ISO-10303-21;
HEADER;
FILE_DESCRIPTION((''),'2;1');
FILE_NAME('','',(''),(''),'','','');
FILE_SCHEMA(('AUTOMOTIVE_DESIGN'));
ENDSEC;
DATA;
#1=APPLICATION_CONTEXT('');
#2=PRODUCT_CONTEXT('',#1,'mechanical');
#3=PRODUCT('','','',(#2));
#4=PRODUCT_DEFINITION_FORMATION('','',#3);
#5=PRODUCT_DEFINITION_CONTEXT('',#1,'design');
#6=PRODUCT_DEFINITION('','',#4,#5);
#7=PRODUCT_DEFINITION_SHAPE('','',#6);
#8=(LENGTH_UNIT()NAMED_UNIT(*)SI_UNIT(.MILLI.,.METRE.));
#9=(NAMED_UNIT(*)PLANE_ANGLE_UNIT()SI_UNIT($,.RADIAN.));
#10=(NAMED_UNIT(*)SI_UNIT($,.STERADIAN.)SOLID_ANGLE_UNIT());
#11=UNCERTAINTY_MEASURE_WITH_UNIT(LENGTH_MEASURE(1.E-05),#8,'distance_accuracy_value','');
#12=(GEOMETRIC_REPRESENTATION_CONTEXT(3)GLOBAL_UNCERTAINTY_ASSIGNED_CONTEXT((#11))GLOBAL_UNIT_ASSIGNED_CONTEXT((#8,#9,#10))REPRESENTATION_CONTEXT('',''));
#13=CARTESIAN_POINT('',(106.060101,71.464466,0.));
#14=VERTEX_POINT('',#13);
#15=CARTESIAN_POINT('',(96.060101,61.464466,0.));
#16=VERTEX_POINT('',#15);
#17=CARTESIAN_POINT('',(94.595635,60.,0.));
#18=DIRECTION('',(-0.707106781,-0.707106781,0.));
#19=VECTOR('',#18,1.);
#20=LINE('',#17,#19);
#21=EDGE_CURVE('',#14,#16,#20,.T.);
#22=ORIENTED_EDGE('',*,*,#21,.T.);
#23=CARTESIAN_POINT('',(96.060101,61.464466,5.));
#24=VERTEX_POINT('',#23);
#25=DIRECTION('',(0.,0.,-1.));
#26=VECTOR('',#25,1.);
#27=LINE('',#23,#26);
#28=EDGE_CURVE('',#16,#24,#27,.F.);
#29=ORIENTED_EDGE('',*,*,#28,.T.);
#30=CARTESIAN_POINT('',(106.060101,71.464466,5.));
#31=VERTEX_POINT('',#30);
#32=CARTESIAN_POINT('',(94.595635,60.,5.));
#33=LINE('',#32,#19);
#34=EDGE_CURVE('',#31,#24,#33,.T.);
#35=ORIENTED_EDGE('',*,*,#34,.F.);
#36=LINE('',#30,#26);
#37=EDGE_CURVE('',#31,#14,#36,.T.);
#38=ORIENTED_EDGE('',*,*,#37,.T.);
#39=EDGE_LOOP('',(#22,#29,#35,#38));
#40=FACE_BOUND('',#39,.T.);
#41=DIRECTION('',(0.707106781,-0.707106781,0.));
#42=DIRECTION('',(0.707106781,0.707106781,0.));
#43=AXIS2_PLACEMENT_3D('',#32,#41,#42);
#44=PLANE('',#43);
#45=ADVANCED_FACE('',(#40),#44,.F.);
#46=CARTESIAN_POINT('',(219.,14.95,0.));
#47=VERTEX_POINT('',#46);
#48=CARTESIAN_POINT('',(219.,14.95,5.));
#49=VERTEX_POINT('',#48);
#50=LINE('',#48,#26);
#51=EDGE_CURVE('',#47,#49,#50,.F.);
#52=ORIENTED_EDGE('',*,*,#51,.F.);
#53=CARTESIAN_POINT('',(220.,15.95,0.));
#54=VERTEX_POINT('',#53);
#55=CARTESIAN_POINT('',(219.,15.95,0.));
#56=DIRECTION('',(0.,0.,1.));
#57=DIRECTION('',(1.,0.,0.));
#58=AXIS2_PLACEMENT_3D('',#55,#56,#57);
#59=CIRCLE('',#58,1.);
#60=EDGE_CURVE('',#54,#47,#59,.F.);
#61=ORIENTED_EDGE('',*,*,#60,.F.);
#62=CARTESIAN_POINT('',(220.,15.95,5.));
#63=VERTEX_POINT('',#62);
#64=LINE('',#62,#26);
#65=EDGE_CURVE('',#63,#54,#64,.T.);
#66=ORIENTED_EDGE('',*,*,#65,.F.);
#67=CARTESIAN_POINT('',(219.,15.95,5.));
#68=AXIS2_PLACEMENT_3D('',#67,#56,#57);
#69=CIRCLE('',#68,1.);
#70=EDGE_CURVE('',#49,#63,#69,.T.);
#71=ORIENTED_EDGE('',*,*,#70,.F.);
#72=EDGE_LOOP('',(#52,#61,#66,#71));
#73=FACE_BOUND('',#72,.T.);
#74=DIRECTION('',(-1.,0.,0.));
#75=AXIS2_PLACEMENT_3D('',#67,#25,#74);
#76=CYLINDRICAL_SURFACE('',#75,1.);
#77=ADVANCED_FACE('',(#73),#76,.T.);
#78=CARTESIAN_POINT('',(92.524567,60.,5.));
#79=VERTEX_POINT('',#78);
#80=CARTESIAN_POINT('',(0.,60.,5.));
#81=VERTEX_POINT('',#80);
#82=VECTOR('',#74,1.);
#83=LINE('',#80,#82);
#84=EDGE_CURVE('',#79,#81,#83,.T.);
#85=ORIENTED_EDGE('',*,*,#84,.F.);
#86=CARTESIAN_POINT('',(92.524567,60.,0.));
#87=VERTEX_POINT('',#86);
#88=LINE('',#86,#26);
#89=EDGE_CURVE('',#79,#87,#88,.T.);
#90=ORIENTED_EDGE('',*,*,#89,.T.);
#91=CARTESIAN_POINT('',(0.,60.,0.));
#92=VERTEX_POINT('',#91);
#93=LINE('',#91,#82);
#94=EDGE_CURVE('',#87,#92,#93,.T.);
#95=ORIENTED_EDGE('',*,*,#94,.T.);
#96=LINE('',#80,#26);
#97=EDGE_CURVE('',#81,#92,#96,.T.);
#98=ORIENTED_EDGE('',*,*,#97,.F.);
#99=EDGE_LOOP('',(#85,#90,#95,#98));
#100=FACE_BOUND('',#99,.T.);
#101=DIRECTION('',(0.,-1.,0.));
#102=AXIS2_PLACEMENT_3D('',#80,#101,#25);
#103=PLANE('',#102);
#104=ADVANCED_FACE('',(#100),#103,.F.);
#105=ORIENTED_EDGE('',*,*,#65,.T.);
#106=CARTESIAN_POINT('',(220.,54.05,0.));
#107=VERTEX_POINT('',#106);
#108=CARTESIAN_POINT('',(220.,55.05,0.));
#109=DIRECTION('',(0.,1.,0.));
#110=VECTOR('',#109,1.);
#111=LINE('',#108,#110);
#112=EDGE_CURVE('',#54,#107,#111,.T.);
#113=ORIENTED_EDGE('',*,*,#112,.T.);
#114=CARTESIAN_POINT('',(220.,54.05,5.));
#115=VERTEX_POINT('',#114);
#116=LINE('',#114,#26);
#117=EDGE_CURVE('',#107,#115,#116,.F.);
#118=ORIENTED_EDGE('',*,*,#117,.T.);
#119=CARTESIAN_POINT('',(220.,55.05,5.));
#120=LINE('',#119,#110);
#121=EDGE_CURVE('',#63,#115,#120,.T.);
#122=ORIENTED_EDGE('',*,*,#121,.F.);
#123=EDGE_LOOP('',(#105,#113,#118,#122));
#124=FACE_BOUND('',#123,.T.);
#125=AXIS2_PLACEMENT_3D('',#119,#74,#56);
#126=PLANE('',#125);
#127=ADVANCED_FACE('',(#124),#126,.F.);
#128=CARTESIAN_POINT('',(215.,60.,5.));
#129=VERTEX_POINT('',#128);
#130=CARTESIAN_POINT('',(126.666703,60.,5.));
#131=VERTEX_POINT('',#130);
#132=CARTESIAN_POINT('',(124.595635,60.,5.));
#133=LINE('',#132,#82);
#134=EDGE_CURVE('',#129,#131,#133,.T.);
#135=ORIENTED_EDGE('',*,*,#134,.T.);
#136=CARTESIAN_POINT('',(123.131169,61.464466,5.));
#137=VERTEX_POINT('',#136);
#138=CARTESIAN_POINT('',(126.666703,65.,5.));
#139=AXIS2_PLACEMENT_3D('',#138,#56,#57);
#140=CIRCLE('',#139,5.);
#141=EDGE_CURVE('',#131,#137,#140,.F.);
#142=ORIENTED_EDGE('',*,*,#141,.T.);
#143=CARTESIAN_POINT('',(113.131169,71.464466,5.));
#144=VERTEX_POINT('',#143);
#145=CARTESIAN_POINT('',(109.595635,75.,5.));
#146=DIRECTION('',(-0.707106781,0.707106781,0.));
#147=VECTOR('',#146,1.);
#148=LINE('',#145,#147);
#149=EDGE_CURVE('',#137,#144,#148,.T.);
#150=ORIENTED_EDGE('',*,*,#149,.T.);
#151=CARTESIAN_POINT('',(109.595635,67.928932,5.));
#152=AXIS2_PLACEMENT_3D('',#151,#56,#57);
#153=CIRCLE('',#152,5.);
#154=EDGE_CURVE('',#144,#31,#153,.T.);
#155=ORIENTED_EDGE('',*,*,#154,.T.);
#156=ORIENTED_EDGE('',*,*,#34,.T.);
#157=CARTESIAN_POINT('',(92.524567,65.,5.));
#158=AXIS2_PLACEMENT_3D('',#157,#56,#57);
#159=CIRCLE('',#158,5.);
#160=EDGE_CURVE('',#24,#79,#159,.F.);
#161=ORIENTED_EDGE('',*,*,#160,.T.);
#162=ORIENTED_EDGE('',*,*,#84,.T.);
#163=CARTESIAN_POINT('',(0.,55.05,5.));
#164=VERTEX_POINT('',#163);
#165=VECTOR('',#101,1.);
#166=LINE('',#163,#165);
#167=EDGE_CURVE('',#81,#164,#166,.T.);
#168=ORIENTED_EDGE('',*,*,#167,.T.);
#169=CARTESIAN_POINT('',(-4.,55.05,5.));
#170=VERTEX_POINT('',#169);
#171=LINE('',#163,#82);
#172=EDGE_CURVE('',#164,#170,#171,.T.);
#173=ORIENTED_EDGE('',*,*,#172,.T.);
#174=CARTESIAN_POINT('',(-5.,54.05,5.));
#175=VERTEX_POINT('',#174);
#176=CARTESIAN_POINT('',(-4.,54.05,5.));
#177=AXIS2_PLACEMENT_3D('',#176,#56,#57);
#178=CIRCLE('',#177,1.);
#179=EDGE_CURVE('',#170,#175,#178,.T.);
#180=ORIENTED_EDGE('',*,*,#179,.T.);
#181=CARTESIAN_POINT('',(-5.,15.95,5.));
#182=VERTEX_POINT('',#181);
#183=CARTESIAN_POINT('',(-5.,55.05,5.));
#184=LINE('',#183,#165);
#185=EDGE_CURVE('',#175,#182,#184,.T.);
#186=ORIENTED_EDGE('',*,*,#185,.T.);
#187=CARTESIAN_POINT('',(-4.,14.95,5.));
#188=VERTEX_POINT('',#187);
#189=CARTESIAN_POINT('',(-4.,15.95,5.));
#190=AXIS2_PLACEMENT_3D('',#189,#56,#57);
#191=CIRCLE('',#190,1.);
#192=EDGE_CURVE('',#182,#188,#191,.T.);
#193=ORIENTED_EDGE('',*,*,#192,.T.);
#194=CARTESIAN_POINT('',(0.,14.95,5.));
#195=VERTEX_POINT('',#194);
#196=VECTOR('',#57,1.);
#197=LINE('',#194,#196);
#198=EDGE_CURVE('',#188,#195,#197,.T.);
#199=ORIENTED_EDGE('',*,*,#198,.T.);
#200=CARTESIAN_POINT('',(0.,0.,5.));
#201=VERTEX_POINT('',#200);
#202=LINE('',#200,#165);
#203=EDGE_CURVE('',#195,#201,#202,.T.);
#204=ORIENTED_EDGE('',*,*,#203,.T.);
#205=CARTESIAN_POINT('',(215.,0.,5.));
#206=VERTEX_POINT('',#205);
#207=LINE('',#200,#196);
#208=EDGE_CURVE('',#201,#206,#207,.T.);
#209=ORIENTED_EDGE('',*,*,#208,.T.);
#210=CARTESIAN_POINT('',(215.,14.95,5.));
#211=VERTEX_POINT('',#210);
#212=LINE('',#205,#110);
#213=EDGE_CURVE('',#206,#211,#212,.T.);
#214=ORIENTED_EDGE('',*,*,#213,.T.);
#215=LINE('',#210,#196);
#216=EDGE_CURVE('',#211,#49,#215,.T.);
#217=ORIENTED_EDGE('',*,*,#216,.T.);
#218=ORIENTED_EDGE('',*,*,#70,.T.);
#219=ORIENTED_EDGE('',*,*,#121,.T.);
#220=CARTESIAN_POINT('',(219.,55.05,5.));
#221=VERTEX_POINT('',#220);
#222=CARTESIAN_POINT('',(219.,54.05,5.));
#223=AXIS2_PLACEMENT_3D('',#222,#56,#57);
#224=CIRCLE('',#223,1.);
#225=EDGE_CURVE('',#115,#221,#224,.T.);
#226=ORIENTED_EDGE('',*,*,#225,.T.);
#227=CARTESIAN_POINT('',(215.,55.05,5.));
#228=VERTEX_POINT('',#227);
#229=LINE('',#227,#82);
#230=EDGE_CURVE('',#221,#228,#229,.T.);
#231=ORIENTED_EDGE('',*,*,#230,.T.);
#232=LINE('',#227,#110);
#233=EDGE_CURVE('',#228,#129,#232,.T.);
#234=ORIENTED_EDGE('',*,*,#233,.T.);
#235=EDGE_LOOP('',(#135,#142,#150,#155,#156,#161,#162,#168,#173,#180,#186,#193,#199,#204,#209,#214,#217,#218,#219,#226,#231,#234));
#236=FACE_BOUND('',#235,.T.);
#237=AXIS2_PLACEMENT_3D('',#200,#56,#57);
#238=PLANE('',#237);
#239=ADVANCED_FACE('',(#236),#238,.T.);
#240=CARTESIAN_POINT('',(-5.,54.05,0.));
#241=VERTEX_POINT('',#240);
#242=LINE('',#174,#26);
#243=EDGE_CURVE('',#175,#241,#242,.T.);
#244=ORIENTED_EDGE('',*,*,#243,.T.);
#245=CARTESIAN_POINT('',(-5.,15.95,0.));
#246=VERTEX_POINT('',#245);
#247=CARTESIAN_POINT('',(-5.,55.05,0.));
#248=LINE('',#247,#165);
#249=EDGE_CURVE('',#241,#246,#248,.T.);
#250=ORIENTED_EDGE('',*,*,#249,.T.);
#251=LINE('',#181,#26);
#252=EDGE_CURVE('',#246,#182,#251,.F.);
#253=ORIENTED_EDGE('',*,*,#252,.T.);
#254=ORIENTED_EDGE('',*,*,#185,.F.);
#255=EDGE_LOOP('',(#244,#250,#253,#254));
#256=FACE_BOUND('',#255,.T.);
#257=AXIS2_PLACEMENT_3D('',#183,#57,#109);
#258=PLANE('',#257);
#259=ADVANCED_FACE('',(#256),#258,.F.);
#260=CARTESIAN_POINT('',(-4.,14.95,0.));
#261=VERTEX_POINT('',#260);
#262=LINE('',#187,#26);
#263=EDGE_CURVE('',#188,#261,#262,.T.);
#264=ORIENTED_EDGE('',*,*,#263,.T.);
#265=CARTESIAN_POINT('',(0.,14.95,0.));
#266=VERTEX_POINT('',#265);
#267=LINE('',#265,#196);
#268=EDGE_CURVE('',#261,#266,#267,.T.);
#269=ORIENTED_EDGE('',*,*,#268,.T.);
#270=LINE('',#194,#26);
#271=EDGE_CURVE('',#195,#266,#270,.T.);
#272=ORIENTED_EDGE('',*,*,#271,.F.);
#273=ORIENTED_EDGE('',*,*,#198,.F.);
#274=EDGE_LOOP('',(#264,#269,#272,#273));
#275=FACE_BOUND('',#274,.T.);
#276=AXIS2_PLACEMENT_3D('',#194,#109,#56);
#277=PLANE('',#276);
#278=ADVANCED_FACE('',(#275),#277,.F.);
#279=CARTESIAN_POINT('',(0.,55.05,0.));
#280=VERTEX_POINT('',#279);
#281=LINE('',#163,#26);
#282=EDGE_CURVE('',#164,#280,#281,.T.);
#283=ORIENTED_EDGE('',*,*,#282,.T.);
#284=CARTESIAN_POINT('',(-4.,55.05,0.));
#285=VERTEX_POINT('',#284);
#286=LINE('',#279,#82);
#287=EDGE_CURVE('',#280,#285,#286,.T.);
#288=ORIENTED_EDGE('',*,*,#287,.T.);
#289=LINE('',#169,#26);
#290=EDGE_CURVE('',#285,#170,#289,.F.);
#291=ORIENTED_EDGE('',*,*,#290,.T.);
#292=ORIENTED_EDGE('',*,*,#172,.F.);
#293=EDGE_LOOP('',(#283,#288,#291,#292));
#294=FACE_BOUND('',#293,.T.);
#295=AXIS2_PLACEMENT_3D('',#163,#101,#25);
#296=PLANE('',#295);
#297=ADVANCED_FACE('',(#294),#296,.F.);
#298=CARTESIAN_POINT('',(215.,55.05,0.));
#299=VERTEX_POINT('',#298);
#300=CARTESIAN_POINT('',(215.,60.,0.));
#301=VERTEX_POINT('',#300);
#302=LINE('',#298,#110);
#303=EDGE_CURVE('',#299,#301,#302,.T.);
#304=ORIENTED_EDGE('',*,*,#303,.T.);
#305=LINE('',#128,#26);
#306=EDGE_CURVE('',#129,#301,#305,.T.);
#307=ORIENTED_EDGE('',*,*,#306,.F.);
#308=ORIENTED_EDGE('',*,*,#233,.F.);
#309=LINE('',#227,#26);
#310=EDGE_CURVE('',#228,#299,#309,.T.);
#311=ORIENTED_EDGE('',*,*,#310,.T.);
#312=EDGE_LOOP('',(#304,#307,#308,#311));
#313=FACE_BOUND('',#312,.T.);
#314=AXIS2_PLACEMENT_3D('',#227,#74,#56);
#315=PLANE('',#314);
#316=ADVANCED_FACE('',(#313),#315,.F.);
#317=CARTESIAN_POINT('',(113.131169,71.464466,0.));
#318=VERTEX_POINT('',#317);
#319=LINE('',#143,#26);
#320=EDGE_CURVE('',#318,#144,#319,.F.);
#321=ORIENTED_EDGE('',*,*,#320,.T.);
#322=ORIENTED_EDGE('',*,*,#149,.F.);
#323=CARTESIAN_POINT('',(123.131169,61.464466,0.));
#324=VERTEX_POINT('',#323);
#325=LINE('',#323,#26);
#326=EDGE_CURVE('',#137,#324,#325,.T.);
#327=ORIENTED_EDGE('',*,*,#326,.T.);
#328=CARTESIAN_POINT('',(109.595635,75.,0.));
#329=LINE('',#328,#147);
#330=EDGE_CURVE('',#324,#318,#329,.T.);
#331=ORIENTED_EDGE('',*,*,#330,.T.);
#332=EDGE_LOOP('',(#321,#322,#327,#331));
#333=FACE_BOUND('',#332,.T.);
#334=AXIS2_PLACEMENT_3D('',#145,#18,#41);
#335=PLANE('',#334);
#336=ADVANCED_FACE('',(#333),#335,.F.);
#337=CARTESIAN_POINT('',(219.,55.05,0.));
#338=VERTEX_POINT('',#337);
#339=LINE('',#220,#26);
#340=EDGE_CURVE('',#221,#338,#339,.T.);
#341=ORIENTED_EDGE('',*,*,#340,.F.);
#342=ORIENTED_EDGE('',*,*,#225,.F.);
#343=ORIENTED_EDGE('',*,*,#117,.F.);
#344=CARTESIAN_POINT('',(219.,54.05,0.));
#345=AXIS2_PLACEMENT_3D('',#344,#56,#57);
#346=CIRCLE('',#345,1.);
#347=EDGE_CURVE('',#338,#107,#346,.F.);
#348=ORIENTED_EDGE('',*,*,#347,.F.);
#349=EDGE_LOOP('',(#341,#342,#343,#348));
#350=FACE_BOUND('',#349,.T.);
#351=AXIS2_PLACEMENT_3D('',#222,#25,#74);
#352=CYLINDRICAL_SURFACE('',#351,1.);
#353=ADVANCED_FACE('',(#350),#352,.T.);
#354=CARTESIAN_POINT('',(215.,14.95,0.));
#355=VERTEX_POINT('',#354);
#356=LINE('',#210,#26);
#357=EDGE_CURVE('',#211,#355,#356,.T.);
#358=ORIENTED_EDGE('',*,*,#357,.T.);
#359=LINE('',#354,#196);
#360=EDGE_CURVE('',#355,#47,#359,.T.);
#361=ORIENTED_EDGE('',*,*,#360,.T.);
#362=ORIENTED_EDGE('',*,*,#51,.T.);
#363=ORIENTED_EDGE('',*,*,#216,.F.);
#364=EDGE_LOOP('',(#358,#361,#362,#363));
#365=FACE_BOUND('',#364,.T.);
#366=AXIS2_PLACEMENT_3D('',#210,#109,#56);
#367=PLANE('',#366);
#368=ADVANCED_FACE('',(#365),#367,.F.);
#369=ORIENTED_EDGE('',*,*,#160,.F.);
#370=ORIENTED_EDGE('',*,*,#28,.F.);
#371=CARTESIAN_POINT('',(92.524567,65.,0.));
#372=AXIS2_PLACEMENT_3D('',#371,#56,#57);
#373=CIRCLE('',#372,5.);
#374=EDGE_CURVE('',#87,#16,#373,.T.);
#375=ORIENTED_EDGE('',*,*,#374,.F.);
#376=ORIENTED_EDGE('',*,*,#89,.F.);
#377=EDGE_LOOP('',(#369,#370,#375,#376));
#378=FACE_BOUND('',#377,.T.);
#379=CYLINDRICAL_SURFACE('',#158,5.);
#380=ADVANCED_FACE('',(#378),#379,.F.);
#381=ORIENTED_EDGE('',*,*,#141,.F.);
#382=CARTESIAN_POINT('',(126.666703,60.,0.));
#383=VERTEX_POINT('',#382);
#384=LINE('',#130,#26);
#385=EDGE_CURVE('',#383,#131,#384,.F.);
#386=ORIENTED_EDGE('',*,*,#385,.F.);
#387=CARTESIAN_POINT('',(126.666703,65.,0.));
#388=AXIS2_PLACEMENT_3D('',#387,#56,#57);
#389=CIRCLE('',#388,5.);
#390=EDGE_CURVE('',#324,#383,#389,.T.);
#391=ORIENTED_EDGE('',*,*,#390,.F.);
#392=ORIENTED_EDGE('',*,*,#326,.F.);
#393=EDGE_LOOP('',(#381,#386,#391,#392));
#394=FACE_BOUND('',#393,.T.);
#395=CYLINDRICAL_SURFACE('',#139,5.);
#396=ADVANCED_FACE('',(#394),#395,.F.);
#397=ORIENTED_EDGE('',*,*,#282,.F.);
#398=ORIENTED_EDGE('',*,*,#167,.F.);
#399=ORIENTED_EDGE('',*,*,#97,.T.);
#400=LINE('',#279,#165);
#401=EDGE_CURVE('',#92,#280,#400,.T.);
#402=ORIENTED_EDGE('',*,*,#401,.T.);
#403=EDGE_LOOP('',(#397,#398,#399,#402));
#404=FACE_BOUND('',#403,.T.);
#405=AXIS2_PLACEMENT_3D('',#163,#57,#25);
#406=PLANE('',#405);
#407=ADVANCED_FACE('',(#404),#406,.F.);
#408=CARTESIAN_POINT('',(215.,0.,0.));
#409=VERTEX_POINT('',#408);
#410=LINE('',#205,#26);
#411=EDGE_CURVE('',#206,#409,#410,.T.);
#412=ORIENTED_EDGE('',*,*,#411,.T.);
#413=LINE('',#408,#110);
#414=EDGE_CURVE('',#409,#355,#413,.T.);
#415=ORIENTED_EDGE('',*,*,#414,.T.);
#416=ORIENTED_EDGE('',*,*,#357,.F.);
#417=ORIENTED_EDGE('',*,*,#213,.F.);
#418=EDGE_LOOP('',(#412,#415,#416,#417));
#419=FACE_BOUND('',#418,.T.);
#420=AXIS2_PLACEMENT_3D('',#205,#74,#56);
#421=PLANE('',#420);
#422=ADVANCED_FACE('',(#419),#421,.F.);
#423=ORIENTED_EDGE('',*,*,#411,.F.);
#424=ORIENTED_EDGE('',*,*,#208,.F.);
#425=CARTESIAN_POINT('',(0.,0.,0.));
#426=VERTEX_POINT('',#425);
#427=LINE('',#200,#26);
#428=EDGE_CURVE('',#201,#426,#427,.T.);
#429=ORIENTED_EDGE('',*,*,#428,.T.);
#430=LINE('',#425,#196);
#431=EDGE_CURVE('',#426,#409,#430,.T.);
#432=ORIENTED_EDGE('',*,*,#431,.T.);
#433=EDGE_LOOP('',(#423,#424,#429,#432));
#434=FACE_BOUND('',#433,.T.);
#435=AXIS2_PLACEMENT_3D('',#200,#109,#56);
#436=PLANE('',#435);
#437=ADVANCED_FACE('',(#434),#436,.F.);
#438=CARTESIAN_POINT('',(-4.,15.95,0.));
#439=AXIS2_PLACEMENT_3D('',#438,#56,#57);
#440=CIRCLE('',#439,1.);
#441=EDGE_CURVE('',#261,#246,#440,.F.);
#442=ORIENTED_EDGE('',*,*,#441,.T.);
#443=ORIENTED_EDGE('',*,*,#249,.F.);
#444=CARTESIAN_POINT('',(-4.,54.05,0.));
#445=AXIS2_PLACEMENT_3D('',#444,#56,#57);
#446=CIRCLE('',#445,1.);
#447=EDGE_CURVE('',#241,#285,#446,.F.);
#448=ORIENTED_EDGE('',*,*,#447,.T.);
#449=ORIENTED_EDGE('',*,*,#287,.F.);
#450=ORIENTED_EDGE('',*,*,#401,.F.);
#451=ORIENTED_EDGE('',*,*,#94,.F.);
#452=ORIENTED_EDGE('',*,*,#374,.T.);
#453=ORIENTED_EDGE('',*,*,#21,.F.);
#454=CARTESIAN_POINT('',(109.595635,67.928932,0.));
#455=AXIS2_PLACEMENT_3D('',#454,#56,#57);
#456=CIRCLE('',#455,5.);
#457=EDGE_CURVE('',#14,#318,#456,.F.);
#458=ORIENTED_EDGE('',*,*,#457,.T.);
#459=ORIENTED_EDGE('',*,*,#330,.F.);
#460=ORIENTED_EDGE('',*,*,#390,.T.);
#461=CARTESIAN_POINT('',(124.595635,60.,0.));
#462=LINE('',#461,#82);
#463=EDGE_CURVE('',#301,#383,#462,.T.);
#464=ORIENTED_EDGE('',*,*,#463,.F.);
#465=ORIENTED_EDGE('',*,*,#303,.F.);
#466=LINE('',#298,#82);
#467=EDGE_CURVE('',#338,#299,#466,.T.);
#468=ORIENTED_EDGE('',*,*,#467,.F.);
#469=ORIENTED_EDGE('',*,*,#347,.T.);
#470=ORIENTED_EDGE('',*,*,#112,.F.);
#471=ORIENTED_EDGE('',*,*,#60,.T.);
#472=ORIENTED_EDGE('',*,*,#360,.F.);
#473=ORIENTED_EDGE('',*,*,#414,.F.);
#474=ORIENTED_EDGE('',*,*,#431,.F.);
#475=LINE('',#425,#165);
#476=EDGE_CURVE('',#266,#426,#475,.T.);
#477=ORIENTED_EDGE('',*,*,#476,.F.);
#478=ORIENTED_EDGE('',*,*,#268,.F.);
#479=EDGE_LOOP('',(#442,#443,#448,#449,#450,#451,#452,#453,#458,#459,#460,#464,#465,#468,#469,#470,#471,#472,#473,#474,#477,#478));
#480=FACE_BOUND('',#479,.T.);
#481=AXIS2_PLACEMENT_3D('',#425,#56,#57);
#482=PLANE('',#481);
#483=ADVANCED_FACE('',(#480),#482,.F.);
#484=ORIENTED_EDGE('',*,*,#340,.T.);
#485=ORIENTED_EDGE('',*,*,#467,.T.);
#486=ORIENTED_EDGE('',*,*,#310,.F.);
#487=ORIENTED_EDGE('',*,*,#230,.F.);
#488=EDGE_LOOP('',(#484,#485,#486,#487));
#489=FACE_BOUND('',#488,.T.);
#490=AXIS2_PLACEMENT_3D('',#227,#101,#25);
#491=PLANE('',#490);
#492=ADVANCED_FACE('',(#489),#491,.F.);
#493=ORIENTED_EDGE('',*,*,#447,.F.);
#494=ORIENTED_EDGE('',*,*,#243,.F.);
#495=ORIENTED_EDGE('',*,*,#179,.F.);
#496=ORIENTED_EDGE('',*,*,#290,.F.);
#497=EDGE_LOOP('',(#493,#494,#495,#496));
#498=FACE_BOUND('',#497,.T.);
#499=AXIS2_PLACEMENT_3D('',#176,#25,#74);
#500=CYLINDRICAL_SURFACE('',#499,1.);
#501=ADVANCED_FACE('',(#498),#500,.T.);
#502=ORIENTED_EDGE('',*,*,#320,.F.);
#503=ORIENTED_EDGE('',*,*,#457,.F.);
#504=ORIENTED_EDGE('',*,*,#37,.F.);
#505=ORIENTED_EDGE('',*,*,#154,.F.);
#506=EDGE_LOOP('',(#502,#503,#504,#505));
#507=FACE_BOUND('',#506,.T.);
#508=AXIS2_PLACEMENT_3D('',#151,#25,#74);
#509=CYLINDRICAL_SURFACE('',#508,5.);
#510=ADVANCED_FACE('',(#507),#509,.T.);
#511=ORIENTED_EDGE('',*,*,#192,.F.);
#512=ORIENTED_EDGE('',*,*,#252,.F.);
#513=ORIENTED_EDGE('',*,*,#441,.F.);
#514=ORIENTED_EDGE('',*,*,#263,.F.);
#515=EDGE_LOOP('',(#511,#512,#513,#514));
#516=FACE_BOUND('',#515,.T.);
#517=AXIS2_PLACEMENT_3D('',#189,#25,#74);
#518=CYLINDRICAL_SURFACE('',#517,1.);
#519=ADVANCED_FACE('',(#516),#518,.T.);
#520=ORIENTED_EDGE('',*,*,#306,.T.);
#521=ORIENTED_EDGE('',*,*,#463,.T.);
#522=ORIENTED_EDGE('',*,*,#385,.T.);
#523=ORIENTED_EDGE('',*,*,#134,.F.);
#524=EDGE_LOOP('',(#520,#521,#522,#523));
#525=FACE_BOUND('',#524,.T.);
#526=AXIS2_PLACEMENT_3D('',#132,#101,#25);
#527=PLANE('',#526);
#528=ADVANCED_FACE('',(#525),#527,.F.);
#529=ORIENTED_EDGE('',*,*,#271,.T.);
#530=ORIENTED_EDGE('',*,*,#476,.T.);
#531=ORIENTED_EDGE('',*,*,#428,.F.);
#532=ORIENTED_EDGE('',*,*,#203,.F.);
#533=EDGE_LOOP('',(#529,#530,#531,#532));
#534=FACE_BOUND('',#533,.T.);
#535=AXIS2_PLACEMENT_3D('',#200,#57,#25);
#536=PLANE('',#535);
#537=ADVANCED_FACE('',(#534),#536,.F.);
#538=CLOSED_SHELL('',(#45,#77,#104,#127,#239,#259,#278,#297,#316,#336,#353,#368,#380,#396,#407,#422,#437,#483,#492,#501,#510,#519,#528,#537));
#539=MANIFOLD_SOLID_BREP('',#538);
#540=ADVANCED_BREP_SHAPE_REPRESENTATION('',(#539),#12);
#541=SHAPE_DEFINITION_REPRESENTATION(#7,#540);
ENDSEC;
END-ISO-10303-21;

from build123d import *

# Parameters (mm, degrees)
BOSS_EXTRUDE1_DEPTH = 5
FILLET1_R           = 5
FILLET2_R           = 1


with BuildPart() as part:
    # Sketch1 → Boss-Extrude1 (new body)
    with BuildSketch(Plane.XY):
        Polygon((215, 55.05), (215, 60), (124.595635172, 60), (109.595635172, 75), (94.595635172, 60), (0, 60), (0, 55.05), (-5, 55.05), (-5, 14.95), (0, 14.95), (0, 0), (215, 0), (215, 14.95), (220, 14.95), (220, 55.05), align=None)
    extrude(amount=BOSS_EXTRUDE1_DEPTH)

    # Fillet1
    fillet1_edges = [part.edges().sort_by_distance(p)[0] for p in [
        (94.595635172, 60, 2.5),
        (109.595635172, 75, 2.5),
        (124.595635172, 60, 2.5),
    ]]
    fillet(fillet1_edges, radius=FILLET1_R)

    # Fillet2
    fillet2_edges = [part.edges().sort_by_distance(p)[0] for p in [
        (-5, 14.95, 2.5),
        (-5, 55.05, 2.5),
        (220, 55.05, 2.5),
        (220, 14.95, 2.5),
    ]]
    fillet(fillet2_edges, radius=FILLET2_R)


solid = part.part
